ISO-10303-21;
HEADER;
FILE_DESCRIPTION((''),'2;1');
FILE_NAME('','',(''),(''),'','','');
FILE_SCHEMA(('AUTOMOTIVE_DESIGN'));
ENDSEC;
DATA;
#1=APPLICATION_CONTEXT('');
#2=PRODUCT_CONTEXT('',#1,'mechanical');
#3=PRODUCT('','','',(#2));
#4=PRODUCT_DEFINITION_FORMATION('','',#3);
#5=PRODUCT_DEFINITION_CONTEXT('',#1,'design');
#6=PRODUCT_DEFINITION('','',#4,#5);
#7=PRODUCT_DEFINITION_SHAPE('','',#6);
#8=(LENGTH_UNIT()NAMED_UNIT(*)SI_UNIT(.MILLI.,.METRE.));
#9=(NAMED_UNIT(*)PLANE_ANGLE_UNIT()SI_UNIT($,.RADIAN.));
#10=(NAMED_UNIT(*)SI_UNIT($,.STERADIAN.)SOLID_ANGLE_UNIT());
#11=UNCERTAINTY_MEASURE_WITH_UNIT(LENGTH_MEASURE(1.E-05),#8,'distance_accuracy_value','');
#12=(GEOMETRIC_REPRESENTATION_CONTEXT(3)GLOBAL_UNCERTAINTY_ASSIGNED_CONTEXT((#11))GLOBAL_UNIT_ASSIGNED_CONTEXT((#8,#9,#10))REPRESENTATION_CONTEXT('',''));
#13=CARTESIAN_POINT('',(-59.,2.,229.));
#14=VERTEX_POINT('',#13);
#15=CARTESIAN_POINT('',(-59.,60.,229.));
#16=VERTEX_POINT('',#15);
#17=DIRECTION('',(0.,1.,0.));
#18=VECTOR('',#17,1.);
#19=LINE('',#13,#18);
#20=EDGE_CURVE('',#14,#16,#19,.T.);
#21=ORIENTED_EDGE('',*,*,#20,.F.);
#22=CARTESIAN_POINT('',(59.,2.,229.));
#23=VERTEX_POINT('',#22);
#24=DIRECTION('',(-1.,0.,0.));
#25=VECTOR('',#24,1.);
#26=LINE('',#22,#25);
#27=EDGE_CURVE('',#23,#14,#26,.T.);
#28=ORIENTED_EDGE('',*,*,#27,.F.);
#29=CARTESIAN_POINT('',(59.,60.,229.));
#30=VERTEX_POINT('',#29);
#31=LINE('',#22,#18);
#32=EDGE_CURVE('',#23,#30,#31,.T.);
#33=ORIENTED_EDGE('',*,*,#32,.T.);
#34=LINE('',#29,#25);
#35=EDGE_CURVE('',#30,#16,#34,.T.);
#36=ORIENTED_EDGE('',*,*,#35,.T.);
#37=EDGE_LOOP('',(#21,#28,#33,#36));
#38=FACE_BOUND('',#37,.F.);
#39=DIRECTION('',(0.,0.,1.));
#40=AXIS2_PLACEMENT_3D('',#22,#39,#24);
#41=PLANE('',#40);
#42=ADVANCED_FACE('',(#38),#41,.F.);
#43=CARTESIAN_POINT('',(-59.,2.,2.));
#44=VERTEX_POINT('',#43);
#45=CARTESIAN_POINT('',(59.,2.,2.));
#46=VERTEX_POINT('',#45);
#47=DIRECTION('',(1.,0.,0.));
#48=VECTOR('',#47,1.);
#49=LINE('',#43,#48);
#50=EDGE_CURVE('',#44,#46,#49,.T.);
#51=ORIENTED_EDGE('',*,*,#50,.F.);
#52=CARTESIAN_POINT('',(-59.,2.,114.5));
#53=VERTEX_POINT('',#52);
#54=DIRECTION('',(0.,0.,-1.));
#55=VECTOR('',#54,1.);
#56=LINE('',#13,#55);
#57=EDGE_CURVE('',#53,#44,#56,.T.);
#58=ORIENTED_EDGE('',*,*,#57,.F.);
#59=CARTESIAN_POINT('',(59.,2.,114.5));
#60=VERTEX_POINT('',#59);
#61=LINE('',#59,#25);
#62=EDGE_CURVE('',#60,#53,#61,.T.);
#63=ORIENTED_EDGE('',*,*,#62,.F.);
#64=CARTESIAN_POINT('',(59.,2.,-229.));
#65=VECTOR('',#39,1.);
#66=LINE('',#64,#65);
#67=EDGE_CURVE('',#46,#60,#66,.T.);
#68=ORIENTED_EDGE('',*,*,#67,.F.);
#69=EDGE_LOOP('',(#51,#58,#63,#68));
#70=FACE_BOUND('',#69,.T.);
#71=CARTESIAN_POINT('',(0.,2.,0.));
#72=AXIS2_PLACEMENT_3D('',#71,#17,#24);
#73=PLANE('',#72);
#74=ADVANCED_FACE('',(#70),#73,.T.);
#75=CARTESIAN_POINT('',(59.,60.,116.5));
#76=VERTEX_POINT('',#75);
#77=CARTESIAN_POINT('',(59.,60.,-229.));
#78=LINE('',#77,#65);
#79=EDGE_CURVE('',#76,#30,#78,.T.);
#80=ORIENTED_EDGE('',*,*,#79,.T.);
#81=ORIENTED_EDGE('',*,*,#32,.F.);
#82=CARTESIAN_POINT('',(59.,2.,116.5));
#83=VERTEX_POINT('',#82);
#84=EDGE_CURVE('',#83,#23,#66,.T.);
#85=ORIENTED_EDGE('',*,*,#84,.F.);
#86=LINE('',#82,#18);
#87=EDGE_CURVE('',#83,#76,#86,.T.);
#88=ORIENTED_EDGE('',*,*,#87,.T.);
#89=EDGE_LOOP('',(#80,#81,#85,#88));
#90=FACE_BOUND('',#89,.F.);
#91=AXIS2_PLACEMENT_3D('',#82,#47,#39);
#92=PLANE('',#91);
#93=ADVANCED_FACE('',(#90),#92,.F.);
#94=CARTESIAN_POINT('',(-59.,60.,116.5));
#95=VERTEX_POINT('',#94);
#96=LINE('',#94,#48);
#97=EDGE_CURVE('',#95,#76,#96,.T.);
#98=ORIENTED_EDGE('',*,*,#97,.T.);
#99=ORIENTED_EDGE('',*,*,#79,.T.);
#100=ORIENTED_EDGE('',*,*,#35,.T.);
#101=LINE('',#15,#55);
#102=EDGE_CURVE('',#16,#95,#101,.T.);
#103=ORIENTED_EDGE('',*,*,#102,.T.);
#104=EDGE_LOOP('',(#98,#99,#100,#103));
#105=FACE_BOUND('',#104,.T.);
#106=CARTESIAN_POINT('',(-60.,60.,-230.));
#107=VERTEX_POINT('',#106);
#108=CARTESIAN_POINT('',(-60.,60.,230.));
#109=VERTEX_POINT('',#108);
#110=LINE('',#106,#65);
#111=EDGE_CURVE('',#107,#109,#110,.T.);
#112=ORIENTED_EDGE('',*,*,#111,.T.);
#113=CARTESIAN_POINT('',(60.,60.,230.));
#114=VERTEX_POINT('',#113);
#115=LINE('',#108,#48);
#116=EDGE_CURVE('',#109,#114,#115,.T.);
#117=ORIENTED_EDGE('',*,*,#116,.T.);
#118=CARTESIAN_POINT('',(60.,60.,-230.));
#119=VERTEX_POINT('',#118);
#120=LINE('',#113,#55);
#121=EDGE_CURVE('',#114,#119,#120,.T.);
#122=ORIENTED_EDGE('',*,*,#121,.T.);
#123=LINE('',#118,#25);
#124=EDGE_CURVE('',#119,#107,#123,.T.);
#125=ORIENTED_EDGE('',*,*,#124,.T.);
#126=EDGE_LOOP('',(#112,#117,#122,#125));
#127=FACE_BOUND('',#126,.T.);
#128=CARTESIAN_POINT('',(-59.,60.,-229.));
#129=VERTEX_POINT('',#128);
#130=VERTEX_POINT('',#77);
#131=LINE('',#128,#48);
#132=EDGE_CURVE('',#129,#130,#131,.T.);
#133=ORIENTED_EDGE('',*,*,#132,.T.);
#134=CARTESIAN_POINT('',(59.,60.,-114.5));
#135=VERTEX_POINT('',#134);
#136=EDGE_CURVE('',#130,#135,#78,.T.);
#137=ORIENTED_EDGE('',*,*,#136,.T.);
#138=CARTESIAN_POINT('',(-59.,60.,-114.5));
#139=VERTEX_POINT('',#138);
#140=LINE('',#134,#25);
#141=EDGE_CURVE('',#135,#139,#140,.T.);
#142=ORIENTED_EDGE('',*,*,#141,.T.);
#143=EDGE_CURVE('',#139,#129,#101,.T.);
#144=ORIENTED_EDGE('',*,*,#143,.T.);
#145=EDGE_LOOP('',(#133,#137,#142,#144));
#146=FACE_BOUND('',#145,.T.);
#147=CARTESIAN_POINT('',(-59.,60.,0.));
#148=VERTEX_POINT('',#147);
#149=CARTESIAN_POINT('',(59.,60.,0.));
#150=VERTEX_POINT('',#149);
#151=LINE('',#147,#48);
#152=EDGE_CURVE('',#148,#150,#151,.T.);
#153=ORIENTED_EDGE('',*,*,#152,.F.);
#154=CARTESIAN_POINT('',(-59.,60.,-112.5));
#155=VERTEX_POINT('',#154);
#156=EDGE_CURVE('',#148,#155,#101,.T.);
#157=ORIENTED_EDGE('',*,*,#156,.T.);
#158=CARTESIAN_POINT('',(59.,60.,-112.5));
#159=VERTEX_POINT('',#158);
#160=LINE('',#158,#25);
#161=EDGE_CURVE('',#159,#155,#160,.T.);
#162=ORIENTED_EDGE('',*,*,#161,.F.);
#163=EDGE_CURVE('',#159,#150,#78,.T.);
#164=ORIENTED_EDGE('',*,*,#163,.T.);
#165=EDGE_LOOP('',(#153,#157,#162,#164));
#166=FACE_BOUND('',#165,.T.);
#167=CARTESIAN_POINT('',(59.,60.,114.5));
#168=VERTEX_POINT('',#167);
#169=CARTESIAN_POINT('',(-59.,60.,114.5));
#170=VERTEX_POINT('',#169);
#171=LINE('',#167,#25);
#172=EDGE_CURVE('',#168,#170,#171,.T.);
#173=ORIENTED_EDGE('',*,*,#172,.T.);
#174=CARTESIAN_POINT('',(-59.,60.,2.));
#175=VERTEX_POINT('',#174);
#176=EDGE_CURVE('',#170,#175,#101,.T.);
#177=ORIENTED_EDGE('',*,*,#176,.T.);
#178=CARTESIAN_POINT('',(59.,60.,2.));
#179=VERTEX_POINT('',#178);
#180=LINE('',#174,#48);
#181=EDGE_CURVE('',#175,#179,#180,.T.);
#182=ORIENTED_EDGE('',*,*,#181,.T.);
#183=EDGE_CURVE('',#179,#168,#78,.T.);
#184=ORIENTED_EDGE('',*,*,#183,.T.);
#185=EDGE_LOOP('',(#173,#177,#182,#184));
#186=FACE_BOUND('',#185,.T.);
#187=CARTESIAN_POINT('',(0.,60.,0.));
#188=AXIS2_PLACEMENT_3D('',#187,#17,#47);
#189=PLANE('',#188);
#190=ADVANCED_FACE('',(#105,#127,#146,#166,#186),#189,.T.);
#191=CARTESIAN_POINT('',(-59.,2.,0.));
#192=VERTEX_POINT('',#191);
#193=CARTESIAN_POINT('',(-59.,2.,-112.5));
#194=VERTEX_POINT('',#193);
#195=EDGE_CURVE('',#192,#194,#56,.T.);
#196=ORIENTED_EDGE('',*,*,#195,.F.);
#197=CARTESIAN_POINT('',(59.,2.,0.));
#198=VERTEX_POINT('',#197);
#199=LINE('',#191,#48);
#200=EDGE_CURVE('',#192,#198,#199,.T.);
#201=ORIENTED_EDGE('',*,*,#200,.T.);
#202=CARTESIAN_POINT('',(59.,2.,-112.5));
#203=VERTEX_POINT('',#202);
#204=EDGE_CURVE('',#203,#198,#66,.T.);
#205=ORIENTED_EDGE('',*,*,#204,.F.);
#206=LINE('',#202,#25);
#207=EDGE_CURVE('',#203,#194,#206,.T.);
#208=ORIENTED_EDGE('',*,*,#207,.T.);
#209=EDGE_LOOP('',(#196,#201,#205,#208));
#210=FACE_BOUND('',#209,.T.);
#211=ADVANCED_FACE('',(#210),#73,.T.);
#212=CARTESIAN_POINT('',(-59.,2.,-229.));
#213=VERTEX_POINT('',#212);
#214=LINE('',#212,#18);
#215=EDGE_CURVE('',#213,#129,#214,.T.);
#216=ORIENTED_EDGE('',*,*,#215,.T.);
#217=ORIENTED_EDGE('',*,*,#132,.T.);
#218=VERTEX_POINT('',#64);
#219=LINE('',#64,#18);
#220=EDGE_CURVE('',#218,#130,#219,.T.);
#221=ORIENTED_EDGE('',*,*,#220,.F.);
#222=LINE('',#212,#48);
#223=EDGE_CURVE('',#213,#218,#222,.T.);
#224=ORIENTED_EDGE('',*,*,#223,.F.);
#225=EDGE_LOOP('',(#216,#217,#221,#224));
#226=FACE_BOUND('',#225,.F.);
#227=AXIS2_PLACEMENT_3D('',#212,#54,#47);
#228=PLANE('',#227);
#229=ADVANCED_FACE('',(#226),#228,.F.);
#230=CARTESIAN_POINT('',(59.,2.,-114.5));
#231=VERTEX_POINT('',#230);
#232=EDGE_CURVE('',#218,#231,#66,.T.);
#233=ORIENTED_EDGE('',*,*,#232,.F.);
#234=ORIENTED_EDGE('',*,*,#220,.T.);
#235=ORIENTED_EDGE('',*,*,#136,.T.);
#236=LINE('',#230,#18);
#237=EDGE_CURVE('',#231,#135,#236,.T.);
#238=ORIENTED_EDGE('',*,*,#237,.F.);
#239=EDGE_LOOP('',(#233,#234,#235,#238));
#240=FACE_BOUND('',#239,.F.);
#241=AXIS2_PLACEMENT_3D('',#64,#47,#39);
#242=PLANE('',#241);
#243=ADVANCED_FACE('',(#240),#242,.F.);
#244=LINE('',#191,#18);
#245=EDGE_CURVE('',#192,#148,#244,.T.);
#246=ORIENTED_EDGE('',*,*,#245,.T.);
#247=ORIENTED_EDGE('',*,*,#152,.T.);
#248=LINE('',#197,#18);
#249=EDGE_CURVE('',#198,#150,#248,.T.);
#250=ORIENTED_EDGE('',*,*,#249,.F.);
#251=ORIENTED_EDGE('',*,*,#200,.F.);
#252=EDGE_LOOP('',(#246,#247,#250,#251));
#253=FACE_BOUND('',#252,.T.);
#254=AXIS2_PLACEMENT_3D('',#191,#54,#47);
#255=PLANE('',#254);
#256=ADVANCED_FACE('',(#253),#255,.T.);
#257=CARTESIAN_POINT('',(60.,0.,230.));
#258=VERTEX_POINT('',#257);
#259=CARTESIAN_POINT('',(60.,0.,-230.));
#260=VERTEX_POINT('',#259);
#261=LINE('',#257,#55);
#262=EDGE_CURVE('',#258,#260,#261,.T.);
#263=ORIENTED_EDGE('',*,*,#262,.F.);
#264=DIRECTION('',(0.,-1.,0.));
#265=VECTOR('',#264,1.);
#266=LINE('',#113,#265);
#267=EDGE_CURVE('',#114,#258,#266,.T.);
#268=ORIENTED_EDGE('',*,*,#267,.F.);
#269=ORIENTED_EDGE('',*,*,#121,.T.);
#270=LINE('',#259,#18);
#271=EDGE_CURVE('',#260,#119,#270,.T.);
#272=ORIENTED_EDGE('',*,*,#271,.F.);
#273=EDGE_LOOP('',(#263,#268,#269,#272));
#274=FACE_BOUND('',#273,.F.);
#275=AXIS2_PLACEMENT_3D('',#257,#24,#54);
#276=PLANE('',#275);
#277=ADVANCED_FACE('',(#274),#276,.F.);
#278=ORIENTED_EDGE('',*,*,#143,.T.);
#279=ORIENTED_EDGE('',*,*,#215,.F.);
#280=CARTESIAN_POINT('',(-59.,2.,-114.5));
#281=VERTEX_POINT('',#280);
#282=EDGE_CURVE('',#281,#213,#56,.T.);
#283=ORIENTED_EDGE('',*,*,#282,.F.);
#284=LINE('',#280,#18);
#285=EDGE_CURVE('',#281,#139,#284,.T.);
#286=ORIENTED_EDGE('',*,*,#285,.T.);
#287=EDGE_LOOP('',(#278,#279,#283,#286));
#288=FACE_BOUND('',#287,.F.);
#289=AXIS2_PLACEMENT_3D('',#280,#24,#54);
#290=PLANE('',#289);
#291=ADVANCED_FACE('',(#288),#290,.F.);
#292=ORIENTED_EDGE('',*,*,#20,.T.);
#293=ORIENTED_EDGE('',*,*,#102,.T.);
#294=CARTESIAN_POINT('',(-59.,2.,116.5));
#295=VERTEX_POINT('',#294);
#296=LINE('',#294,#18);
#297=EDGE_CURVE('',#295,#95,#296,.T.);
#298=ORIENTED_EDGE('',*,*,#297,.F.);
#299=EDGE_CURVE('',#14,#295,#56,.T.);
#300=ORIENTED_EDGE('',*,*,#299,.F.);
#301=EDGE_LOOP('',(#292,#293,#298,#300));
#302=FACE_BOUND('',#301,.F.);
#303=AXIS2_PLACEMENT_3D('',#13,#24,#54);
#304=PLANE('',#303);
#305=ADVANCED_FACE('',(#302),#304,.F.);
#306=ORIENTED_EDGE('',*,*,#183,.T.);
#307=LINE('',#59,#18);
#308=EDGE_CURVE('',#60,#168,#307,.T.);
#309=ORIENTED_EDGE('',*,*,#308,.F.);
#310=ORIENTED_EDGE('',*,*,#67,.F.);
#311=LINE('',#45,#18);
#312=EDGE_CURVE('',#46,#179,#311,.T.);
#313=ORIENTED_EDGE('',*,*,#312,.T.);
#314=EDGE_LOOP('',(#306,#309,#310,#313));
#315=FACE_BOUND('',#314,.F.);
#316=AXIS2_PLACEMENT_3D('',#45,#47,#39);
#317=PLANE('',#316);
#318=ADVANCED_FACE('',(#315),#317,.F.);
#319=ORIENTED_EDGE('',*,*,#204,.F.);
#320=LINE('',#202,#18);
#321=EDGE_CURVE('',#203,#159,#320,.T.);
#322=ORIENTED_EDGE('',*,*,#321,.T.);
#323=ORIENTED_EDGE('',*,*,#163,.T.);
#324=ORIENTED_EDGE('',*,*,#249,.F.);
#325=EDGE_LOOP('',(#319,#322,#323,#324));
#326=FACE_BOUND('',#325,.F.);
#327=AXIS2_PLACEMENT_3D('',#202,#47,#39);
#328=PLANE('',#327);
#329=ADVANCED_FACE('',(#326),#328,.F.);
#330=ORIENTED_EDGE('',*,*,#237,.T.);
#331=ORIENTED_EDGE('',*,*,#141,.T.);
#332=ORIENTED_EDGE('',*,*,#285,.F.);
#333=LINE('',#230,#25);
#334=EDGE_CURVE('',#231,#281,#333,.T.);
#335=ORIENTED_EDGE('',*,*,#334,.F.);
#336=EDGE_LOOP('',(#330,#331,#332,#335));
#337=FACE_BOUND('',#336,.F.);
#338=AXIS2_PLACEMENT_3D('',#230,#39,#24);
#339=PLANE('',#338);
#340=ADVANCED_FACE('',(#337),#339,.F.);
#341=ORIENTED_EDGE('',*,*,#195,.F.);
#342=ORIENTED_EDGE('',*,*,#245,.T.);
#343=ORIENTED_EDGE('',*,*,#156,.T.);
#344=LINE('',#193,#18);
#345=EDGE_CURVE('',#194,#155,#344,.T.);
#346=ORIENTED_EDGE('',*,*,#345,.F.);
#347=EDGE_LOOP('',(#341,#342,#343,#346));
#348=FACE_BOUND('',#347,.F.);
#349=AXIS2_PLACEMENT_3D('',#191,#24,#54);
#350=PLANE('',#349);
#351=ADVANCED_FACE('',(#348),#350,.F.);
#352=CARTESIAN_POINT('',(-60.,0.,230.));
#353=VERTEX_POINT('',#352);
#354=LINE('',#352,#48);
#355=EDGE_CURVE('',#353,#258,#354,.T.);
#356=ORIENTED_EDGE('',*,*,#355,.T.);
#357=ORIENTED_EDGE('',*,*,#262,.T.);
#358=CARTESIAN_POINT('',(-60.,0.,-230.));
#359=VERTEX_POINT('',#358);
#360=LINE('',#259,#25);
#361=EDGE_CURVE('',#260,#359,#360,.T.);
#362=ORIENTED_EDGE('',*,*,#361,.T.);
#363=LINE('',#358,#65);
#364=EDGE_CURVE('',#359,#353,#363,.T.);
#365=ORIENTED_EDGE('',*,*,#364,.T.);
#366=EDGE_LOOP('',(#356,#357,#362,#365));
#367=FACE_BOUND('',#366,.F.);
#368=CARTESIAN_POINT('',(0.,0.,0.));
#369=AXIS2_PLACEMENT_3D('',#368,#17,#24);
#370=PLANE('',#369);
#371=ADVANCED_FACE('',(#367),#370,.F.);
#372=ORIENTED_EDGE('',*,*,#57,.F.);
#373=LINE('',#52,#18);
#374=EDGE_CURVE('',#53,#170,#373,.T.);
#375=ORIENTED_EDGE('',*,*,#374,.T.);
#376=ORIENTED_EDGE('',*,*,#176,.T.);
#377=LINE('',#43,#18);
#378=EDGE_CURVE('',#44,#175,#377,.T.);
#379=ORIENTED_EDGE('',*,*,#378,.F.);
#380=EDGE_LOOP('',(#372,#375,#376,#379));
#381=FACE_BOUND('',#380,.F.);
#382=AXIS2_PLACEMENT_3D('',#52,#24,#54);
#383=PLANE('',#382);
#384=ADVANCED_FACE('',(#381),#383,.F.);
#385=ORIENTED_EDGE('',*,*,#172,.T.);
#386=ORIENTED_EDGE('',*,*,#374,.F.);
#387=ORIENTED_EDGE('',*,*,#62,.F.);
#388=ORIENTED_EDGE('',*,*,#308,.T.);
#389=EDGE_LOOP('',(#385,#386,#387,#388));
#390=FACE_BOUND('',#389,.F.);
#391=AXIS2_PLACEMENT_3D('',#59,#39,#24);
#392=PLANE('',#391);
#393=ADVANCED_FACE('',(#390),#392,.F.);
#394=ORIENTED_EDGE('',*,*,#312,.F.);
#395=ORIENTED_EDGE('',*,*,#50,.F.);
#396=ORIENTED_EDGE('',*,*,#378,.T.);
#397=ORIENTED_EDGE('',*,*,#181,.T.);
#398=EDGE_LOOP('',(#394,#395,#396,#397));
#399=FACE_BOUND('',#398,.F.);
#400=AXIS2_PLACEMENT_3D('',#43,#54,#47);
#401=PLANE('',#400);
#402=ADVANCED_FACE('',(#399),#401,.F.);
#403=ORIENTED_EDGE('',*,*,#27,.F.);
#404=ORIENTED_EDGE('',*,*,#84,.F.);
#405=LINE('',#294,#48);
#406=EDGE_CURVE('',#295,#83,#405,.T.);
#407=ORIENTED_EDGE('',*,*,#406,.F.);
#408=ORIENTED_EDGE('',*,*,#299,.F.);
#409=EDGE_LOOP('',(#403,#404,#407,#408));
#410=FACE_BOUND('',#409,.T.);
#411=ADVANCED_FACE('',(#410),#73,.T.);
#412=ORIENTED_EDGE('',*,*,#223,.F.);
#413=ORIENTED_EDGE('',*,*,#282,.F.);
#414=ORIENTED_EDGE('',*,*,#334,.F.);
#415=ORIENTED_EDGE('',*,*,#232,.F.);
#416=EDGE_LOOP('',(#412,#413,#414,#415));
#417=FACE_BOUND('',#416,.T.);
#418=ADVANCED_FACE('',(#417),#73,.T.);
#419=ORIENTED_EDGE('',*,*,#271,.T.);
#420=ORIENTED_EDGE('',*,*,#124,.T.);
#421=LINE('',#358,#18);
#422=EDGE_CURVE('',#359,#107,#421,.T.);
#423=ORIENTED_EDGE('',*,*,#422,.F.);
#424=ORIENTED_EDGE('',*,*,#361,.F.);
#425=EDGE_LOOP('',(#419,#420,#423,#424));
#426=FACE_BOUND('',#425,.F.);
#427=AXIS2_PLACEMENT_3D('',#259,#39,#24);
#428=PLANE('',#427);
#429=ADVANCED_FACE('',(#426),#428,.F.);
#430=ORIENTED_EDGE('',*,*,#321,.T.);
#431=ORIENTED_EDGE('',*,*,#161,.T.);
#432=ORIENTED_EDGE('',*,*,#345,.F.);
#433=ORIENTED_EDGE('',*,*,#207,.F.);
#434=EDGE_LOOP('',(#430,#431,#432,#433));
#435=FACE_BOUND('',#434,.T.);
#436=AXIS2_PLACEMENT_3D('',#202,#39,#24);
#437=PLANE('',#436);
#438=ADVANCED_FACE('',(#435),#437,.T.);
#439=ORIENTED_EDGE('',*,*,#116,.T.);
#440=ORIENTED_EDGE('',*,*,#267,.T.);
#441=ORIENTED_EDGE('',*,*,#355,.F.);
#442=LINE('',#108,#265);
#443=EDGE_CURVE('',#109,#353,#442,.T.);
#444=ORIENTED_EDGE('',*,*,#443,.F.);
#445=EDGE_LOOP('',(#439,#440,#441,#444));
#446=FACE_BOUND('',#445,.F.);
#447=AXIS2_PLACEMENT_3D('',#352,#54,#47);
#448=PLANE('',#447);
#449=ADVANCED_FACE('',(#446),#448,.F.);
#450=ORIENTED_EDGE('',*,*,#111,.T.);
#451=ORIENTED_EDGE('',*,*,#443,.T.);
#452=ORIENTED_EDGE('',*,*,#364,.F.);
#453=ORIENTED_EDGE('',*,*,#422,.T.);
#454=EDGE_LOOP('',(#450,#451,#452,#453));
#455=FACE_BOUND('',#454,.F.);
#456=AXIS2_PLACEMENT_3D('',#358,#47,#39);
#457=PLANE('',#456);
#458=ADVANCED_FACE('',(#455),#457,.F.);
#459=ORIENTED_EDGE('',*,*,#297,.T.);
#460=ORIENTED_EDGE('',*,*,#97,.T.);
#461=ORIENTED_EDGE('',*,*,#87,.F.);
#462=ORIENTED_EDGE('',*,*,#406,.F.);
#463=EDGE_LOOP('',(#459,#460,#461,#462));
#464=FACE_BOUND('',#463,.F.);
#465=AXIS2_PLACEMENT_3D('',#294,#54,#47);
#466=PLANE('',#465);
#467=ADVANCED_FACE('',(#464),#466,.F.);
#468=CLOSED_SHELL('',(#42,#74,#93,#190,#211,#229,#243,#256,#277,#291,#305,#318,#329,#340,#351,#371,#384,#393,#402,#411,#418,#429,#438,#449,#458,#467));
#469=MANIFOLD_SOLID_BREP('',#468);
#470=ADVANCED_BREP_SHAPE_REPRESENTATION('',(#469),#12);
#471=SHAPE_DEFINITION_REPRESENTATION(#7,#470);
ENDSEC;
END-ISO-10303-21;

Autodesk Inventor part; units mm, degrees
ref_plane "YZ Plane" through (0, 0, 0) normal (1, 0, 0) x (0, 1, 0)
ref_plane "XZ Plane" through (0, 0, 0) normal (0, 1, 0) x (-1, 0, 0)
ref_plane "XY Plane" through (0, 0, 0) normal (0, 0, 1) x (1, 0, 0)
sketch "Эскиз1" plane through (0, 0, 0) normal (0, 1, 0) x (-1, 0, 0)
  line L0 (-60, -230) -> (60, -230)
  line L1 (60, -230) -> (60, 230)
  line L2 (60, 230) -> (-60, 230)
  line L3 (-60, 230) -> (-60, -230)
  line L4 (-60, -230) -> (60, 230) construction
  line L5 (60, -230) -> (-60, 230) construction
  point P0 (0, 0)
  dimension "d0" = 120
  dimension "d1" = 460
extrude "Выдавливание1" add sketch "Эскиз1" along normal blind 2
sketch "Эскиз3" plane through (0, 2, 0) normal (0, 1, 0) x (1, 0, 0)
  line L0 (59, -229) -> (-59, -229)
  line L1 (-59, -229) -> (-59, 229)
  line L2 (-59, 229) -> (59, 229)
  line L3 (59, 229) -> (59, -229)
  line L4 (59, -229) -> (-59, 229) construction
  line L5 (-59, -229) -> (59, 229) construction
  line L6 (59, -229) -> (-59, -229)
  line L7 (-59, -229) -> (-59, -116.5)
  line L8 (-59, -116.5) -> (59, -116.5)
  line L9 (59, -116.5) -> (59, -229)
  line L10 (-59, -116.5) -> (59, -116.5)
  line L11 (59, -116.5) -> (59, -114.5)
  line L12 (59, -114.5) -> (-59, -114.5)
  line L13 (-59, -114.5) -> (-59, -116.5)
  line L14 (59, -114.5) -> (-59, -114.5)
  line L15 (-59, -114.5) -> (-59, -2)
  line L16 (-59, -2) -> (59, -2)
  line L17 (59, -2) -> (59, -114.5)
  line L18 (59, -2) -> (-59, -2)
  line L19 (-59, -2) -> (-59, 0)
  line L20 (-59, 0) -> (59, 0)
  line L21 (59, 0) -> (59, -2)
  line L22 (-59, 0) -> (59, 0)
  line L23 (59, 0) -> (59, 112.5)
  line L24 (59, 112.5) -> (-59, 112.5)
  line L25 (-59, 112.5) -> (-59, 0)
  line L26 (-59, 112.5) -> (59, 112.5)
  line L27 (59, 112.5) -> (59, 114.5)
  line L28 (59, 114.5) -> (-59, 114.5)
  line L29 (-59, 114.5) -> (-59, 112.5)
  line L30 (-59, 114.5) -> (59, 114.5)
  line L31 (59, 114.5) -> (59, 229)
  line L32 (59, 229) -> (-59, 229)
  line L33 (-59, 229) -> (-59, 114.5)
  line L34 (-60, 230) -> (-60, -230) projected
  line L35 (60, -230) -> (60, 230) projected
  line L36 (-60, -230) -> (60, -230)
  line L37 (60, -230) -> (60, 230)
  line L38 (60, 230) -> (-60, 230)
  line L39 (-60, 230) -> (-60, -230)
  point P0 (0, 0)
  point P1 (59, -116.5)
  point P2 (59, 0)
  point P3 (-59, 112.5)
  dimension "d14" = 118
  dimension "d15" = 458
  dimension "d16" = 112.5
  dimension "d17" = 118
  dimension "d18" = 2
  dimension "d19" = 118
  dimension "d20" = 112.5
  dimension "d21" = 118
  dimension "d22" = 112.5
  dimension "d23" = 118
  dimension "d24" = 2
extrude "Выдавливание3" add sketch "Эскиз3" along normal blind 58 contours L8 L1 L12 L3 | L16 L1 L20 L3 | L24 L1 L28 L3 | L38 L35 L36 L34
properties part number "коробка ардуинкародина"
